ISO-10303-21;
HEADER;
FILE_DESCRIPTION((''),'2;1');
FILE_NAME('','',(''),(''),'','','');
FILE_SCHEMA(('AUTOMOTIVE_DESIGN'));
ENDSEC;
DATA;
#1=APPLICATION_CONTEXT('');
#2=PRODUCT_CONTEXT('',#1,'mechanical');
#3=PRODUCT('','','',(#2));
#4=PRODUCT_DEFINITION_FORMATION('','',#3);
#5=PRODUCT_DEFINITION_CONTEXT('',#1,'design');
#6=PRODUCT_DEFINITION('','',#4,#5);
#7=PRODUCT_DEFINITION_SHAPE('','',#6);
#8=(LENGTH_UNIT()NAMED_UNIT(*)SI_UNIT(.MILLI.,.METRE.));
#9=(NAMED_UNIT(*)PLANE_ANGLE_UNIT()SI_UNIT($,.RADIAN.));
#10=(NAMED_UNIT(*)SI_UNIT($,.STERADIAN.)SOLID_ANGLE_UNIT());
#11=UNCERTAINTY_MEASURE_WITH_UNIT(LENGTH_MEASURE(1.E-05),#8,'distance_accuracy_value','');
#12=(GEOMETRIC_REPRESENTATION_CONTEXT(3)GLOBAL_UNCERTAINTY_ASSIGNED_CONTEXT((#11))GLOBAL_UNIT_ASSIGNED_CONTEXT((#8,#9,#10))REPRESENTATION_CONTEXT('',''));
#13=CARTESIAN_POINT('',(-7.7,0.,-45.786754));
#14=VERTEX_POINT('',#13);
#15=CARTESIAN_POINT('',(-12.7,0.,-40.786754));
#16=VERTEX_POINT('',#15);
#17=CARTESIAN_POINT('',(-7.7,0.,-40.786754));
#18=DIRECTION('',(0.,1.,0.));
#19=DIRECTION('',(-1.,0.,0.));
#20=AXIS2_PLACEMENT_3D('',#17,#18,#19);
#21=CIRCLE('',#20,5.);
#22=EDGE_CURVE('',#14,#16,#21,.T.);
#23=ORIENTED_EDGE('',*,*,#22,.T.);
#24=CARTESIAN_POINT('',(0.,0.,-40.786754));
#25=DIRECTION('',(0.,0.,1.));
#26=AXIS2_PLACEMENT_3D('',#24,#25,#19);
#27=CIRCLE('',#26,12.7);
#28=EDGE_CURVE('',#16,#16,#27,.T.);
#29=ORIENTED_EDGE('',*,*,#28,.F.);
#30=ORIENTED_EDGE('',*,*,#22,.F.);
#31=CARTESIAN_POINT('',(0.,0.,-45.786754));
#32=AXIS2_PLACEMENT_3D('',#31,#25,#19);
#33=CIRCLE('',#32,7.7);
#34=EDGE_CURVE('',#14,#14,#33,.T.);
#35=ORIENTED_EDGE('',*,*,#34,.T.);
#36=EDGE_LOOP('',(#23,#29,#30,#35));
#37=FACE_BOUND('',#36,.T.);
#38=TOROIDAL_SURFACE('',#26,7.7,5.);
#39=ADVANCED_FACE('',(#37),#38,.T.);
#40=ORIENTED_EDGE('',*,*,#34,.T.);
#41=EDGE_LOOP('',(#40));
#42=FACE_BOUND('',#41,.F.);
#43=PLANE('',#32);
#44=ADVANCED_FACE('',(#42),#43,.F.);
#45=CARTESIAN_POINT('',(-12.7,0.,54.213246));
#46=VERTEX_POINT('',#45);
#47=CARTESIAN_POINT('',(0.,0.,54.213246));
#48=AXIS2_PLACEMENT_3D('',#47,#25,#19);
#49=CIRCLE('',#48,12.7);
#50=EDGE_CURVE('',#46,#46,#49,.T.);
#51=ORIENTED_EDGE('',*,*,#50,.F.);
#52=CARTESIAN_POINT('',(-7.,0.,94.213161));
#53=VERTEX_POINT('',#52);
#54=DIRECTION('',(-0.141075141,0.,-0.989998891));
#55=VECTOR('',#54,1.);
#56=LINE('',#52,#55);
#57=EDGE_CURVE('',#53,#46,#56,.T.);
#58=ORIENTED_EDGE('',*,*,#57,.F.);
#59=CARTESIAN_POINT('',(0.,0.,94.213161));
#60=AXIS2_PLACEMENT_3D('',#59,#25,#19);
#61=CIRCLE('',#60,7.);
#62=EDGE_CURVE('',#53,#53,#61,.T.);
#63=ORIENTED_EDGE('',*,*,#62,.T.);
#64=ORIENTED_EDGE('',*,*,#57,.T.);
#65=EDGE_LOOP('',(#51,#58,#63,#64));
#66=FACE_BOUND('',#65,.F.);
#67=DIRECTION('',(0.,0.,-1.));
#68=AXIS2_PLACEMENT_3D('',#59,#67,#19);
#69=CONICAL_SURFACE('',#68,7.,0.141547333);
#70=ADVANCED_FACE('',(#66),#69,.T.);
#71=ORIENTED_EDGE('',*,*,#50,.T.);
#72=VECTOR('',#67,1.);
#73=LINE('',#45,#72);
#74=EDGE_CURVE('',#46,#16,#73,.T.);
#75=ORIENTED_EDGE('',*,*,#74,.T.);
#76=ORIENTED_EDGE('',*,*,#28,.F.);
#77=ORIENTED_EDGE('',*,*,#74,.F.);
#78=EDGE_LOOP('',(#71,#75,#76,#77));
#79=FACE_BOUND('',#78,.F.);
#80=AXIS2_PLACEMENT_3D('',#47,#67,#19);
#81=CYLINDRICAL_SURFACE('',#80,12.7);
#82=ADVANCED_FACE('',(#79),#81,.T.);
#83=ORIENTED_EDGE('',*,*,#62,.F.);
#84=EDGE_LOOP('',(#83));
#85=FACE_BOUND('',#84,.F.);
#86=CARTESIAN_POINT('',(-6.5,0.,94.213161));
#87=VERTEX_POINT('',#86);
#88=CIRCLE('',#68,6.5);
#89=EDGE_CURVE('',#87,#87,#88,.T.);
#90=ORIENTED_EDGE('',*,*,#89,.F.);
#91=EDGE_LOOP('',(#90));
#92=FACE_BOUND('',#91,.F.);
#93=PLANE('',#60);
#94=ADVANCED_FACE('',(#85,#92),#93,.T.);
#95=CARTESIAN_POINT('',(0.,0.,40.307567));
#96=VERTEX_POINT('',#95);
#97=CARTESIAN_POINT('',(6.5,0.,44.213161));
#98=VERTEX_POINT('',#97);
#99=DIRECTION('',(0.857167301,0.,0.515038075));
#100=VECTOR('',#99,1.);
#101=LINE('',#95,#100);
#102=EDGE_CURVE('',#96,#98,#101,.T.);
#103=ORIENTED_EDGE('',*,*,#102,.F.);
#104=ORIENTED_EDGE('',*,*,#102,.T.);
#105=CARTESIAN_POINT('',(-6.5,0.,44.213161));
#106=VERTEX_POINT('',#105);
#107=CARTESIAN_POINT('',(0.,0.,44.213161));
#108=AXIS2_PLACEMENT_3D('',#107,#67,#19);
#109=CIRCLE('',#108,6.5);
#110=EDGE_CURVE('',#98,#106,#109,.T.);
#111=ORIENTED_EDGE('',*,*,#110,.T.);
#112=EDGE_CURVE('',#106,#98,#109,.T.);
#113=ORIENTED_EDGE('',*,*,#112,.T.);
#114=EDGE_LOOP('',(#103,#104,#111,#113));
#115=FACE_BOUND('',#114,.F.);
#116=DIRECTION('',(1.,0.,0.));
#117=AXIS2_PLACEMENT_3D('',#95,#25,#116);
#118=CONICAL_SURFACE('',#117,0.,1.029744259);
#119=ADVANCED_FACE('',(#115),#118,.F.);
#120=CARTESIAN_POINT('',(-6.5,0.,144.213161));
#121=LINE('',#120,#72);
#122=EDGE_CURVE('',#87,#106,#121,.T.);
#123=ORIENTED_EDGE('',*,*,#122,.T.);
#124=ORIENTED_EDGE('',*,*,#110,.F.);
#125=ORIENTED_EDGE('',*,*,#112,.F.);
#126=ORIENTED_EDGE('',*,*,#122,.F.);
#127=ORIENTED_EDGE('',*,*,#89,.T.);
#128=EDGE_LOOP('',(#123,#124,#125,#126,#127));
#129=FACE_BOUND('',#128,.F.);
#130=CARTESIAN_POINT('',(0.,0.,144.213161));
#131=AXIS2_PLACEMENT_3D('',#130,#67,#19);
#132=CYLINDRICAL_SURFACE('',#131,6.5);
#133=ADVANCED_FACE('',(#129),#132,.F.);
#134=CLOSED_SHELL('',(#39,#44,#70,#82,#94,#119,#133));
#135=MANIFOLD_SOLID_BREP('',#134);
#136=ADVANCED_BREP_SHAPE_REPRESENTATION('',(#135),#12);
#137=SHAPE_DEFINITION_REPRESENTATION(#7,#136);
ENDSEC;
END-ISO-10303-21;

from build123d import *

# Parameters (mm, degrees)
F3_D     = 13
F3_DEPTH = 50
F3_TIP   = 3.9055940237
F4_R     = 5


with BuildPart() as f1:
    # F0 (on Front) → F1 (revolve)
    with BuildSketch(Plane.XZ):
        Polygon((-12.7, -45.7867538678), (0, -45.7867538678), (0, 94.2131613321), (-7, 94.2131613321), (-12.7, 54.2132461322), align=None)
    revolve(axis=Axis((0, 0, 24.2132037321), (0, 0, 1)))

    # F3
    with Locations(Plane.XY.offset(94.2131613321)):
        with Locations((0, 0)):
            Hole(F3_D / 2, depth=F3_DEPTH)
            with Locations((0, 0, -(F3_DEPTH + F3_TIP / 2))):  # 118° drill point
                Cone(0, F3_D / 2, F3_TIP, mode=Mode.SUBTRACT)

    # F4
    f4_edges = [f1.edges().sort_by_distance(p)[0] for p in [
        (12.7, 0, -45.786754),
    ]]
    fillet(f4_edges, radius=F4_R)


solid = f1.part
